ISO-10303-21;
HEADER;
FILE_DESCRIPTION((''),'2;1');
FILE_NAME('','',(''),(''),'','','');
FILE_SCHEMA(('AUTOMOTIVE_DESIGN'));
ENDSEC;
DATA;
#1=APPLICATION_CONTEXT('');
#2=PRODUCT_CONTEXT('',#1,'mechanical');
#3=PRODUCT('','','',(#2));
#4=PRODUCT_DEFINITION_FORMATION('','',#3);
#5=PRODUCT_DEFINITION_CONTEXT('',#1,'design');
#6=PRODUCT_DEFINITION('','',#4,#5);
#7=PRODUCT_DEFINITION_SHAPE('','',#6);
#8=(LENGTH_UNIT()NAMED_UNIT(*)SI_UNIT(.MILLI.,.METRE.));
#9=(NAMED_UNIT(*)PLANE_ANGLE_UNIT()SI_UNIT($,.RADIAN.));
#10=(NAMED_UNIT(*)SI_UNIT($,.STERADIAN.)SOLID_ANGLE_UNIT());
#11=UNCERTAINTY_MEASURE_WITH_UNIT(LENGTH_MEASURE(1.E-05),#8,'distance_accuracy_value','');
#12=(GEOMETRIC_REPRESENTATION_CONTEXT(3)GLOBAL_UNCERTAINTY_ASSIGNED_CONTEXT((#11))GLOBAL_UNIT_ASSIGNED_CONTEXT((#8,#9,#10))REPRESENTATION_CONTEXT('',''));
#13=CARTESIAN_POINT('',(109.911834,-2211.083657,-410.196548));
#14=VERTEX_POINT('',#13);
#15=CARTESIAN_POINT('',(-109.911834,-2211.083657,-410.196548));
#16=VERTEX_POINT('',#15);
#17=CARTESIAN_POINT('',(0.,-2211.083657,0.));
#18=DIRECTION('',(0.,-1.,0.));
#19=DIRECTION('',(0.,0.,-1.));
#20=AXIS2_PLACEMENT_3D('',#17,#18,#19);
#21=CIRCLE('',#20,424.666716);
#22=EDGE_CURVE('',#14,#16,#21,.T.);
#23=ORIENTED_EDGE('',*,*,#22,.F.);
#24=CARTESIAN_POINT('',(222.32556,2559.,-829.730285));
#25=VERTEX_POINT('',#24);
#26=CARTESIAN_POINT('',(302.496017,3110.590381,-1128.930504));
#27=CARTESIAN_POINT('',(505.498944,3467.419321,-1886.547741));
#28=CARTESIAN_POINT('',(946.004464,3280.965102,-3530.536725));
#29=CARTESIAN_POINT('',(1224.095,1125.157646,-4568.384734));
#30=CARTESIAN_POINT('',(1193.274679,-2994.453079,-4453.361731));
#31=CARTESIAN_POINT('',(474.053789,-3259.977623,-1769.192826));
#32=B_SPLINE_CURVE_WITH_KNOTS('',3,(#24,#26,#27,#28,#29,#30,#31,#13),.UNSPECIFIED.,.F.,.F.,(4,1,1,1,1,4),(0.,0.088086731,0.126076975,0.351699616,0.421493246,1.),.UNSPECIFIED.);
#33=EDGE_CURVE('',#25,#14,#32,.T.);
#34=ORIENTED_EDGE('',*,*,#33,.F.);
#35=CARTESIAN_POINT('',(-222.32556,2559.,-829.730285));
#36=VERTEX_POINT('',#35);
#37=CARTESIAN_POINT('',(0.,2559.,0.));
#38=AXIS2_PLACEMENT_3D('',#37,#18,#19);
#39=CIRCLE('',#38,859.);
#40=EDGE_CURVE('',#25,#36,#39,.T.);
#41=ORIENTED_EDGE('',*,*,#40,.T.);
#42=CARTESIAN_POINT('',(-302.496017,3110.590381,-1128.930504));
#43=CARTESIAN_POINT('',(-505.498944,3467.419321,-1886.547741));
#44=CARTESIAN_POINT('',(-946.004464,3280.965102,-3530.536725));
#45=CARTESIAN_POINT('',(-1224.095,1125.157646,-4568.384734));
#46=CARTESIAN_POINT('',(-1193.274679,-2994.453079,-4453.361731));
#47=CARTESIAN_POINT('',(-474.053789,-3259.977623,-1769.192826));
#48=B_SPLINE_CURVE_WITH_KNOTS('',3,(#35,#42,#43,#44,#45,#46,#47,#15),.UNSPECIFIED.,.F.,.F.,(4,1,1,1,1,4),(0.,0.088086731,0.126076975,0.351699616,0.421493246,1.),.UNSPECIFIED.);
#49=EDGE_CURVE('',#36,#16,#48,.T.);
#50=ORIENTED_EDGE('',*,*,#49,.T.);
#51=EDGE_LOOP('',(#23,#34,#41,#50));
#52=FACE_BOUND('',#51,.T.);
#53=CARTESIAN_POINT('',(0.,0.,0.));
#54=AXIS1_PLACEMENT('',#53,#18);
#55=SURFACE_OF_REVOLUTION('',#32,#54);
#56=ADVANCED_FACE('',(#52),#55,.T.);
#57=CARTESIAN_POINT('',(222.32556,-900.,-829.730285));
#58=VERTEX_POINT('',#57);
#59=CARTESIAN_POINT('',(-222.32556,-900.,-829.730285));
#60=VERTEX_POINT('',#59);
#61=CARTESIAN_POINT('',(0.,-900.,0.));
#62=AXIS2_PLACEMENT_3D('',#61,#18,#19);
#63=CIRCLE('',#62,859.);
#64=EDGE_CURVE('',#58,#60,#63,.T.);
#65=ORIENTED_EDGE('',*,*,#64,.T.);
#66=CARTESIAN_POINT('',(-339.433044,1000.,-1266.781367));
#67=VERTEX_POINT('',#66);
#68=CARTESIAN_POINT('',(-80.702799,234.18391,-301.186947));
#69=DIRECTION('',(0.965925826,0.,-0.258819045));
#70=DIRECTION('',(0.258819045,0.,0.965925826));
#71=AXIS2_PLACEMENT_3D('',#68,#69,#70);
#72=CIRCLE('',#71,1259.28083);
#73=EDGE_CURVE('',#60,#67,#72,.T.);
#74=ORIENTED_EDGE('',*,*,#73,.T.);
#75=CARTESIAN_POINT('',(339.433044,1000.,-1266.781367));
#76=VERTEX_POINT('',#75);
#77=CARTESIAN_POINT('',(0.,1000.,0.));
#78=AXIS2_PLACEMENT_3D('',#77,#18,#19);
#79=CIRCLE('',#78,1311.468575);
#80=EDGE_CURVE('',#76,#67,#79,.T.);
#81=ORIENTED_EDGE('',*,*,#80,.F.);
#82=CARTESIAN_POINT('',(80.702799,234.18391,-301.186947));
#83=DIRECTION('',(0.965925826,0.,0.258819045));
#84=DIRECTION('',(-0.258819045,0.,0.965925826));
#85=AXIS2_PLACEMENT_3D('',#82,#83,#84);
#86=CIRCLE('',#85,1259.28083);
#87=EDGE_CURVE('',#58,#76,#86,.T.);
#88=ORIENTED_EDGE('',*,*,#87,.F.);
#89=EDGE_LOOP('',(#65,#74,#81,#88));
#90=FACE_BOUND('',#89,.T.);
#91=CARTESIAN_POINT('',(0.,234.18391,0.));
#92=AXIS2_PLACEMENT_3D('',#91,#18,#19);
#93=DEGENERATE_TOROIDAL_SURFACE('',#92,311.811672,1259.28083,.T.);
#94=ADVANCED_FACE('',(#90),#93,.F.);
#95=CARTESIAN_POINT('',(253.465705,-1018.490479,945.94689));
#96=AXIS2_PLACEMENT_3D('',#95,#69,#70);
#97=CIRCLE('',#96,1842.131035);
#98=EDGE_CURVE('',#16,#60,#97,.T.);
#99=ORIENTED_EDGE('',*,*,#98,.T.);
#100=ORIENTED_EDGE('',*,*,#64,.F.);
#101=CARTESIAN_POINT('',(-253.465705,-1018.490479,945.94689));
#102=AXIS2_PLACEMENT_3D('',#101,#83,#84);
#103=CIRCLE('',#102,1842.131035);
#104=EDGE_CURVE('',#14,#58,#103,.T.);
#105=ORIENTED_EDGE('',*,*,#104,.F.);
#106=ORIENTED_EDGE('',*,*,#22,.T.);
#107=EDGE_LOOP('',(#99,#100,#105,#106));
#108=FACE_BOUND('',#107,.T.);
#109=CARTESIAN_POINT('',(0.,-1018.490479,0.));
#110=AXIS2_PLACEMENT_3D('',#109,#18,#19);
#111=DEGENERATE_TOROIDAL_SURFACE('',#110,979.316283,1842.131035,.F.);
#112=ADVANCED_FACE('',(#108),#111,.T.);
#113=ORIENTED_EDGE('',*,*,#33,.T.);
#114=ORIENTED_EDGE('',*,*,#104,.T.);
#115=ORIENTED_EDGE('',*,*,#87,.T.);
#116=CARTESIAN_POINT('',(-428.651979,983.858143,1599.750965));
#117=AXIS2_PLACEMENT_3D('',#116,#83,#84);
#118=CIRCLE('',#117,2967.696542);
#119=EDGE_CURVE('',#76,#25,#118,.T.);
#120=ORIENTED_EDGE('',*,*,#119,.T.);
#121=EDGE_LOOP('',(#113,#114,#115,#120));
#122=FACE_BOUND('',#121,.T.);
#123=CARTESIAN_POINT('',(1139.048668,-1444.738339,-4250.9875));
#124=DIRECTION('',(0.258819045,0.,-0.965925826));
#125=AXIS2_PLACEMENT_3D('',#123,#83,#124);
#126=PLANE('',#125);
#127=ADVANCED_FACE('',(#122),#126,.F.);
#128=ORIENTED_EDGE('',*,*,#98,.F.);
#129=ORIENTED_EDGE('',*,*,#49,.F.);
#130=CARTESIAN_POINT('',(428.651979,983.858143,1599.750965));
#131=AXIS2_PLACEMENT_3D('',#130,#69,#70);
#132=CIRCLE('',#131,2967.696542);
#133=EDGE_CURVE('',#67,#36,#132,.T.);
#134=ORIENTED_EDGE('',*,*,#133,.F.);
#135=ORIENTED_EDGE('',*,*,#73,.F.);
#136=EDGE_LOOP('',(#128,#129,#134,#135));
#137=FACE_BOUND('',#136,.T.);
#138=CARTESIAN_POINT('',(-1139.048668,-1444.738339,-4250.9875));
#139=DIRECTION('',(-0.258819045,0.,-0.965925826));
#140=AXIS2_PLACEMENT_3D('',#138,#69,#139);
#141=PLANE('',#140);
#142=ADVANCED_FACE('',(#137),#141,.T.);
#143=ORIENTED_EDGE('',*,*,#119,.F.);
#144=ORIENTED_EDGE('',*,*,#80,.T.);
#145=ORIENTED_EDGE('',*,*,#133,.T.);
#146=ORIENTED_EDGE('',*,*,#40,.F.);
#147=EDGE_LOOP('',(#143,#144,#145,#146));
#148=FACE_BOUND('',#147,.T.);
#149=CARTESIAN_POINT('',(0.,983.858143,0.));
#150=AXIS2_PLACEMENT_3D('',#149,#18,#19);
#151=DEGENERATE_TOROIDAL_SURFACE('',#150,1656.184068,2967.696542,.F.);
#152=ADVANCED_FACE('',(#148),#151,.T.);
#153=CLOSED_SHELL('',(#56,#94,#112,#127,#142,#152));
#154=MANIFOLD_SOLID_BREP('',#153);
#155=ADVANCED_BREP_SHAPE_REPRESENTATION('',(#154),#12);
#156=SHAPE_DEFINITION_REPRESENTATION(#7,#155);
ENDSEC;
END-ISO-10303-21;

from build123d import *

# Parameters (mm, degrees)
REVOLUCI_N1_ANGLE = 330


with BuildPart() as part:
    # Croquis3 → Revolución1 (revolve, symmetric)
    with BuildSketch(Plane(origin=(0, 0, 0), x_dir=(0, 0, -1), z_dir=(1, 0, 0))) as revoluci_n1_sk:
        with BuildLine():
            ThreePointArc((-859, -900), (-769.357856831, -1597.787900588), (-424.666715761, -2211.083657387))
            add(Edge.make_bspline(
                [(-859, 2559), (-1168.754860127, 3110.590381493), (-1953.097939098, 3467.419321475), (-3655.080574974, 3280.965102055), (-4729.539898317, 1125.157646486), (-4610.459322874, -2994.453078955), (-1831.603191452, -3259.977622744), (-424.666715761, -2211.083657387)],
                knots=[0, 0, 0, 0, 0.088086731, 0.126076975, 0.351699616, 0.421493246, 1, 1, 1, 1], degree=3))
            ThreePointArc((-859, 2559), (-1193.902746214, 1811.038847156), (-1311.468574535, 1000))
            ThreePointArc((-1311.468574535, 1000), (-1536.835158071, -57.544843301), (-859, -900))
        make_face()
    revolve(axis=Axis((0, 0, 0), (0, 1, 0)), revolution_arc=REVOLUCI_N1_ANGLE / 2)
    revolve(revoluci_n1_sk.sketch, axis=Axis((0, 0, 0), (0, -1, 0)), revolution_arc=REVOLUCI_N1_ANGLE / 2)


solid = part.part
